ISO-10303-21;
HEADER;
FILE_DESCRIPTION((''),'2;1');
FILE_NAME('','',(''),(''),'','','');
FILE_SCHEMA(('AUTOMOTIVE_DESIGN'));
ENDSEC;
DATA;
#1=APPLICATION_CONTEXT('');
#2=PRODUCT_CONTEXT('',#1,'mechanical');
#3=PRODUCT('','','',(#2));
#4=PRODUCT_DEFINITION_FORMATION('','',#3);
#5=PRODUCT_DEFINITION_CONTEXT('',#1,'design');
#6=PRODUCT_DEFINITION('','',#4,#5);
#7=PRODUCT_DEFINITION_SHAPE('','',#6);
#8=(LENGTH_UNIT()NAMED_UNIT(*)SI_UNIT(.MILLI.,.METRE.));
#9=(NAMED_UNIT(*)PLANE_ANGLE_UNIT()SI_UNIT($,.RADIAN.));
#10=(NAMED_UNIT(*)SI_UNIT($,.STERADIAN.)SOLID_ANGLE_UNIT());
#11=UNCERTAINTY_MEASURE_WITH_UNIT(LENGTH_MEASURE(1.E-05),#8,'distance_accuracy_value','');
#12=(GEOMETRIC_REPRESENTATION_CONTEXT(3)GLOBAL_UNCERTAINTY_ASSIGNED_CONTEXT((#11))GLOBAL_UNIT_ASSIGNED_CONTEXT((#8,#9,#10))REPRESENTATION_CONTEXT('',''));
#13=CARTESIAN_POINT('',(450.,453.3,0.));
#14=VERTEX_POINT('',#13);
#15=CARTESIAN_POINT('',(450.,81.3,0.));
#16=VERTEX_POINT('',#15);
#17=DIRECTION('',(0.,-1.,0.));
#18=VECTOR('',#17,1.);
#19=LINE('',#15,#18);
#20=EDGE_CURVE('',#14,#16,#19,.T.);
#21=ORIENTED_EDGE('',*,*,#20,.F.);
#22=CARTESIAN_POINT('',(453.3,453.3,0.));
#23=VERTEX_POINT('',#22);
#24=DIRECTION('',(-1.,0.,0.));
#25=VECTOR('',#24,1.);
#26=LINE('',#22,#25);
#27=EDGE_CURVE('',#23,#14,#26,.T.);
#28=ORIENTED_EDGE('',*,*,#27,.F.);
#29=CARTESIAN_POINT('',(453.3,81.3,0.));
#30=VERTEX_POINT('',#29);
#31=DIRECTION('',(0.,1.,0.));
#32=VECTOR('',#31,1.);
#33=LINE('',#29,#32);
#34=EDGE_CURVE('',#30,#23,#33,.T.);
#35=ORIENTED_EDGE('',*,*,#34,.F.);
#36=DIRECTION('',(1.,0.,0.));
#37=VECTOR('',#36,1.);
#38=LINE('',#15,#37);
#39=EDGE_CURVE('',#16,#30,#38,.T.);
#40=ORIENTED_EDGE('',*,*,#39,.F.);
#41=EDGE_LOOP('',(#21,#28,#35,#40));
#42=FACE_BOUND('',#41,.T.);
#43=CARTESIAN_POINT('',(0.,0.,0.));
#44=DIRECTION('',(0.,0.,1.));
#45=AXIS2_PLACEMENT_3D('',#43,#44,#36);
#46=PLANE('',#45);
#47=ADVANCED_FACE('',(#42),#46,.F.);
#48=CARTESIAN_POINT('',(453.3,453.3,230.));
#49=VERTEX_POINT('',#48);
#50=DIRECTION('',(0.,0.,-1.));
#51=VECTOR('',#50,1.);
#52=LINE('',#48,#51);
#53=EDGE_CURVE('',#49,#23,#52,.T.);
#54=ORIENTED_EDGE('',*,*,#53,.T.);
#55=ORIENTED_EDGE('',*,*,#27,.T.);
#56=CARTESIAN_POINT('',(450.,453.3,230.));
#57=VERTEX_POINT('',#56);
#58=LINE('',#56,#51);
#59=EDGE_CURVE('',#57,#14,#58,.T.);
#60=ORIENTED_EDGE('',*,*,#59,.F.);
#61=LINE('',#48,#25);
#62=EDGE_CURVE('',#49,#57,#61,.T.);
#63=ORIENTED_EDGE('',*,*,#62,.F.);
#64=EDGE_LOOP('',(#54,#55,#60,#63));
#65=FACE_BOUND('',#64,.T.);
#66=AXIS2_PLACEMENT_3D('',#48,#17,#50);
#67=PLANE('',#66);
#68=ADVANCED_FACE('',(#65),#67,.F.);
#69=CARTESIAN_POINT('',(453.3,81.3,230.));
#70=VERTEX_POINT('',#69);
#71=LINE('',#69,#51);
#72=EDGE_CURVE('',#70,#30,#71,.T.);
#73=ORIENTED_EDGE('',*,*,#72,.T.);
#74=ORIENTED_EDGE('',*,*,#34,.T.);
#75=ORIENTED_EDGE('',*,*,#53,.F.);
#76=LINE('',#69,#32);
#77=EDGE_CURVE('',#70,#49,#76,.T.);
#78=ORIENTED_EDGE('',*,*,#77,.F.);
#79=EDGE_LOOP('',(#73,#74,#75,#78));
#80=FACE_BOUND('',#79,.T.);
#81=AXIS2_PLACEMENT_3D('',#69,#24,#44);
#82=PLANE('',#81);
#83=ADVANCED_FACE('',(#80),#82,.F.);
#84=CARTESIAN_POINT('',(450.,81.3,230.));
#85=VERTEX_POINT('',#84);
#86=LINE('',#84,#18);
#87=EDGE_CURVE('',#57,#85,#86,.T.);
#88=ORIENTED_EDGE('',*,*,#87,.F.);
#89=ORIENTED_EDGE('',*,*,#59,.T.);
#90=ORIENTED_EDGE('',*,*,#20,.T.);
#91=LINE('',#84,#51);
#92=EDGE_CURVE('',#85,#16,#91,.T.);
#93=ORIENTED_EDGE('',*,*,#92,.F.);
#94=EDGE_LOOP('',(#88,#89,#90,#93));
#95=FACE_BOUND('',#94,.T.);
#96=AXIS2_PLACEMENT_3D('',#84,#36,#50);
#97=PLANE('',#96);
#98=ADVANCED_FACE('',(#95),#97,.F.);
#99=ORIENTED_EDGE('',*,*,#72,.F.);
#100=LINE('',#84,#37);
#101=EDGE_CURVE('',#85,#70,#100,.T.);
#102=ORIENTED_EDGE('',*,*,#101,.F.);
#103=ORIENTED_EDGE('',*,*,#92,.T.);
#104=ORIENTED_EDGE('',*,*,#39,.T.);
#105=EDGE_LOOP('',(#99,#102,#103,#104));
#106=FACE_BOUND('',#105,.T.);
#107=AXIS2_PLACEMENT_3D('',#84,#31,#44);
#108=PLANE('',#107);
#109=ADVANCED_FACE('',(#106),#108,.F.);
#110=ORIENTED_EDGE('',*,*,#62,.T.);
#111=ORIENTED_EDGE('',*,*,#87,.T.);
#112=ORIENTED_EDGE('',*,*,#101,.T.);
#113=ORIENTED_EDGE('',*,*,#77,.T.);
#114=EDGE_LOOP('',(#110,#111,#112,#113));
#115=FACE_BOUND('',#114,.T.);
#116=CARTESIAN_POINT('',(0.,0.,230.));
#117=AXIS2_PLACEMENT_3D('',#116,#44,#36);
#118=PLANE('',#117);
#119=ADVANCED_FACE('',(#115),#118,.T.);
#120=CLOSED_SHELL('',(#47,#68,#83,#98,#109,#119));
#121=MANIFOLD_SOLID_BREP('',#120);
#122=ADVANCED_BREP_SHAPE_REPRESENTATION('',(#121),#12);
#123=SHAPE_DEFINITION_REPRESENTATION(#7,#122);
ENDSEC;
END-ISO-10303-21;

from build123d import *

# Parameters (mm, degrees)
CROQUIS1_W              = 3.3
CROQUIS1_H              = 372
SALIENTE_EXTRUIR2_DEPTH = 230


with BuildPart() as part:
    # Croquis1 → Saliente-Extruir2 (new body)
    with BuildSketch(Plane.XY):
        with Locations((451.65, 267.3)):
            Rectangle(CROQUIS1_W, CROQUIS1_H)
    extrude(amount=SALIENTE_EXTRUIR2_DEPTH)


solid = part.part
